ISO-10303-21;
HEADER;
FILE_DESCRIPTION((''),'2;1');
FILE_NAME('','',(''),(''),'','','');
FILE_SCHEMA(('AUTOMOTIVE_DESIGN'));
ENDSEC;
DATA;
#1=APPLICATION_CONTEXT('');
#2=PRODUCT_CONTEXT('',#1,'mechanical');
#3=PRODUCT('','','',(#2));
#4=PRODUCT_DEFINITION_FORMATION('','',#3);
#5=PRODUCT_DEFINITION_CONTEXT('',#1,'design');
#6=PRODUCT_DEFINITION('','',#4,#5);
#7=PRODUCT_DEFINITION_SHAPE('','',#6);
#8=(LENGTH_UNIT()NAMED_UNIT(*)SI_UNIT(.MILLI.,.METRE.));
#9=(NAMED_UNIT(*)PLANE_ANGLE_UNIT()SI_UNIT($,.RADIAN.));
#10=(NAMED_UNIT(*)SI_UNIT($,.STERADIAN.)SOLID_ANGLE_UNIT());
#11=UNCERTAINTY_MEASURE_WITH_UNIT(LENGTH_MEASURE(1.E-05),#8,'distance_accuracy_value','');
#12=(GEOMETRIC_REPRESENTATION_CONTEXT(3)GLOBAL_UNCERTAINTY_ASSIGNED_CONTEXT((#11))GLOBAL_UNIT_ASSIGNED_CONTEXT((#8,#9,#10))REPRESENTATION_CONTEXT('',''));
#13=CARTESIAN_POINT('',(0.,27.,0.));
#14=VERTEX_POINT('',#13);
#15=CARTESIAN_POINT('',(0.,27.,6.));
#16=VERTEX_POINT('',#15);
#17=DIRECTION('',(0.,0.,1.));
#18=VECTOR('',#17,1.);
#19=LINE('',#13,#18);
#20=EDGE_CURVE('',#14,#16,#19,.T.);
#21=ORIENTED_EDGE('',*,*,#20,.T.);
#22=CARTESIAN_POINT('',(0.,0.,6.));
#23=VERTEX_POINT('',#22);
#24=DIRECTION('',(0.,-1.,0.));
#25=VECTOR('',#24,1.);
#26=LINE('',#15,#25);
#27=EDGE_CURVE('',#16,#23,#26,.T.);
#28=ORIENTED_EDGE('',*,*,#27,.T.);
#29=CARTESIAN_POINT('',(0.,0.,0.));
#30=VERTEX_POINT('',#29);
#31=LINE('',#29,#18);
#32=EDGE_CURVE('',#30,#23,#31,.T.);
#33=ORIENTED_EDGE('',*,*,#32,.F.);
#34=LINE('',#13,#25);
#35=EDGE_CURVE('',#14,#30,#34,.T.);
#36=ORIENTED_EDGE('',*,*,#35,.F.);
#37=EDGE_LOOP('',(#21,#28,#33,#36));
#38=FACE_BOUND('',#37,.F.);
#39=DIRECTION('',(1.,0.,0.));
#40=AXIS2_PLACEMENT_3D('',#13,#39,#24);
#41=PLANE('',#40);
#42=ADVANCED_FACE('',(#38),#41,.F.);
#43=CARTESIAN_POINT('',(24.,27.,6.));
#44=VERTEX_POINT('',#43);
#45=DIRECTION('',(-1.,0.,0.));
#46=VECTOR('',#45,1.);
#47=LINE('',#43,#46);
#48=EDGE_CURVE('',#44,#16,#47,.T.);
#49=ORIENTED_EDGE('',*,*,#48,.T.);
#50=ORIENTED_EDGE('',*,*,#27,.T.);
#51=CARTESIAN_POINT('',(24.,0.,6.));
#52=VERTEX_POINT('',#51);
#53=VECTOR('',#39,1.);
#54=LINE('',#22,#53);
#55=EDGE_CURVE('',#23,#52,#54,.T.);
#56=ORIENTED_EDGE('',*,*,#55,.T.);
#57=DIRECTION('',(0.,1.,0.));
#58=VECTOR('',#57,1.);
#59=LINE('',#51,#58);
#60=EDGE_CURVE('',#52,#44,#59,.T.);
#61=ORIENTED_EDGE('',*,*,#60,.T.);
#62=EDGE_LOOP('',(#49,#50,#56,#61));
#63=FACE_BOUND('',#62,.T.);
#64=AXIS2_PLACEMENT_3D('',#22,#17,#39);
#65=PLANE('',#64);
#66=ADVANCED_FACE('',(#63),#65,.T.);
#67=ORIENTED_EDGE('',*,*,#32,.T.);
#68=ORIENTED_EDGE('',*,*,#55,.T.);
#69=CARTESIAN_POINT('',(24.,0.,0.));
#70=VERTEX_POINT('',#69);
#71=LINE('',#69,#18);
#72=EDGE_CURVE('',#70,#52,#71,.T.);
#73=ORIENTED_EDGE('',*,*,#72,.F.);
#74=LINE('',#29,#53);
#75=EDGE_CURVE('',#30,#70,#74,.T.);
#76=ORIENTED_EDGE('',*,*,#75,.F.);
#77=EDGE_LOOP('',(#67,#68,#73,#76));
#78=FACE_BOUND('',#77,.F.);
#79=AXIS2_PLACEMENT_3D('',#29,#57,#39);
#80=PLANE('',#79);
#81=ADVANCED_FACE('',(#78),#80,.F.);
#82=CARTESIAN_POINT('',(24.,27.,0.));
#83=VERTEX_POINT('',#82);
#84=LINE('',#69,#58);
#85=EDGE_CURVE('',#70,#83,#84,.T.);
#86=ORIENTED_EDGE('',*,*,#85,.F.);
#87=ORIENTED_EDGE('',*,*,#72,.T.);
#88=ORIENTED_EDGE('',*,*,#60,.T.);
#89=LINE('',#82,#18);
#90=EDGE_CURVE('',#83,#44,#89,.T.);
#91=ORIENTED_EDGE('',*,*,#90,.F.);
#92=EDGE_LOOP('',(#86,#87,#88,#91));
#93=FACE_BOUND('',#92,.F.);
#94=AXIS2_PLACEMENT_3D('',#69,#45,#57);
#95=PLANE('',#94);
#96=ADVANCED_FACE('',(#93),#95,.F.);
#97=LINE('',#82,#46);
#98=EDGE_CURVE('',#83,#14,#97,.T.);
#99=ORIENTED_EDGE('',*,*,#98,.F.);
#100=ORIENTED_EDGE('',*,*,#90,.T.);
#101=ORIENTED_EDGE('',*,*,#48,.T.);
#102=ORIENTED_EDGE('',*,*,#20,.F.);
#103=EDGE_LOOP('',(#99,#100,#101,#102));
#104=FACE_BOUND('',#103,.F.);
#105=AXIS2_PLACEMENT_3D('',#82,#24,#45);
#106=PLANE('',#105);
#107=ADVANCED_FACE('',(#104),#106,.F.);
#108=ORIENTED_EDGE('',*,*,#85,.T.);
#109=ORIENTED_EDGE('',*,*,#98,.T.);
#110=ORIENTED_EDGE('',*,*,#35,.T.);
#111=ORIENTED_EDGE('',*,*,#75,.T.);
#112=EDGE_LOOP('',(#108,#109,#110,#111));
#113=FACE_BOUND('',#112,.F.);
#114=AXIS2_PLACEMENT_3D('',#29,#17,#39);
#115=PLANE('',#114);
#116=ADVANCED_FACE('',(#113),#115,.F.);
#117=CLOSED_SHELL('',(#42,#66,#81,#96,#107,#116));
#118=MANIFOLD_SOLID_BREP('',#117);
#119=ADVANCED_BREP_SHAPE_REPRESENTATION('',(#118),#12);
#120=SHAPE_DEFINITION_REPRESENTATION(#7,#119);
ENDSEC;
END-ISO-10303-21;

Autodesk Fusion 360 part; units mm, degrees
sketch "Sketch1" plane through (0, 0, 0) normal (0, 0, 1) x (1, 0, 0)
  line L0 (0, 0) -> (24, 0)
  line L1 (24, 0) -> (24, 27)
  line L2 (24, 27) -> (0, 27)
  line L3 (0, 27) -> (0, 0)
  dimension "d1" = 27
  dimension "d2" = 24
extrude "Extrude1" add sketch "Sketch1" along normal blind 6
